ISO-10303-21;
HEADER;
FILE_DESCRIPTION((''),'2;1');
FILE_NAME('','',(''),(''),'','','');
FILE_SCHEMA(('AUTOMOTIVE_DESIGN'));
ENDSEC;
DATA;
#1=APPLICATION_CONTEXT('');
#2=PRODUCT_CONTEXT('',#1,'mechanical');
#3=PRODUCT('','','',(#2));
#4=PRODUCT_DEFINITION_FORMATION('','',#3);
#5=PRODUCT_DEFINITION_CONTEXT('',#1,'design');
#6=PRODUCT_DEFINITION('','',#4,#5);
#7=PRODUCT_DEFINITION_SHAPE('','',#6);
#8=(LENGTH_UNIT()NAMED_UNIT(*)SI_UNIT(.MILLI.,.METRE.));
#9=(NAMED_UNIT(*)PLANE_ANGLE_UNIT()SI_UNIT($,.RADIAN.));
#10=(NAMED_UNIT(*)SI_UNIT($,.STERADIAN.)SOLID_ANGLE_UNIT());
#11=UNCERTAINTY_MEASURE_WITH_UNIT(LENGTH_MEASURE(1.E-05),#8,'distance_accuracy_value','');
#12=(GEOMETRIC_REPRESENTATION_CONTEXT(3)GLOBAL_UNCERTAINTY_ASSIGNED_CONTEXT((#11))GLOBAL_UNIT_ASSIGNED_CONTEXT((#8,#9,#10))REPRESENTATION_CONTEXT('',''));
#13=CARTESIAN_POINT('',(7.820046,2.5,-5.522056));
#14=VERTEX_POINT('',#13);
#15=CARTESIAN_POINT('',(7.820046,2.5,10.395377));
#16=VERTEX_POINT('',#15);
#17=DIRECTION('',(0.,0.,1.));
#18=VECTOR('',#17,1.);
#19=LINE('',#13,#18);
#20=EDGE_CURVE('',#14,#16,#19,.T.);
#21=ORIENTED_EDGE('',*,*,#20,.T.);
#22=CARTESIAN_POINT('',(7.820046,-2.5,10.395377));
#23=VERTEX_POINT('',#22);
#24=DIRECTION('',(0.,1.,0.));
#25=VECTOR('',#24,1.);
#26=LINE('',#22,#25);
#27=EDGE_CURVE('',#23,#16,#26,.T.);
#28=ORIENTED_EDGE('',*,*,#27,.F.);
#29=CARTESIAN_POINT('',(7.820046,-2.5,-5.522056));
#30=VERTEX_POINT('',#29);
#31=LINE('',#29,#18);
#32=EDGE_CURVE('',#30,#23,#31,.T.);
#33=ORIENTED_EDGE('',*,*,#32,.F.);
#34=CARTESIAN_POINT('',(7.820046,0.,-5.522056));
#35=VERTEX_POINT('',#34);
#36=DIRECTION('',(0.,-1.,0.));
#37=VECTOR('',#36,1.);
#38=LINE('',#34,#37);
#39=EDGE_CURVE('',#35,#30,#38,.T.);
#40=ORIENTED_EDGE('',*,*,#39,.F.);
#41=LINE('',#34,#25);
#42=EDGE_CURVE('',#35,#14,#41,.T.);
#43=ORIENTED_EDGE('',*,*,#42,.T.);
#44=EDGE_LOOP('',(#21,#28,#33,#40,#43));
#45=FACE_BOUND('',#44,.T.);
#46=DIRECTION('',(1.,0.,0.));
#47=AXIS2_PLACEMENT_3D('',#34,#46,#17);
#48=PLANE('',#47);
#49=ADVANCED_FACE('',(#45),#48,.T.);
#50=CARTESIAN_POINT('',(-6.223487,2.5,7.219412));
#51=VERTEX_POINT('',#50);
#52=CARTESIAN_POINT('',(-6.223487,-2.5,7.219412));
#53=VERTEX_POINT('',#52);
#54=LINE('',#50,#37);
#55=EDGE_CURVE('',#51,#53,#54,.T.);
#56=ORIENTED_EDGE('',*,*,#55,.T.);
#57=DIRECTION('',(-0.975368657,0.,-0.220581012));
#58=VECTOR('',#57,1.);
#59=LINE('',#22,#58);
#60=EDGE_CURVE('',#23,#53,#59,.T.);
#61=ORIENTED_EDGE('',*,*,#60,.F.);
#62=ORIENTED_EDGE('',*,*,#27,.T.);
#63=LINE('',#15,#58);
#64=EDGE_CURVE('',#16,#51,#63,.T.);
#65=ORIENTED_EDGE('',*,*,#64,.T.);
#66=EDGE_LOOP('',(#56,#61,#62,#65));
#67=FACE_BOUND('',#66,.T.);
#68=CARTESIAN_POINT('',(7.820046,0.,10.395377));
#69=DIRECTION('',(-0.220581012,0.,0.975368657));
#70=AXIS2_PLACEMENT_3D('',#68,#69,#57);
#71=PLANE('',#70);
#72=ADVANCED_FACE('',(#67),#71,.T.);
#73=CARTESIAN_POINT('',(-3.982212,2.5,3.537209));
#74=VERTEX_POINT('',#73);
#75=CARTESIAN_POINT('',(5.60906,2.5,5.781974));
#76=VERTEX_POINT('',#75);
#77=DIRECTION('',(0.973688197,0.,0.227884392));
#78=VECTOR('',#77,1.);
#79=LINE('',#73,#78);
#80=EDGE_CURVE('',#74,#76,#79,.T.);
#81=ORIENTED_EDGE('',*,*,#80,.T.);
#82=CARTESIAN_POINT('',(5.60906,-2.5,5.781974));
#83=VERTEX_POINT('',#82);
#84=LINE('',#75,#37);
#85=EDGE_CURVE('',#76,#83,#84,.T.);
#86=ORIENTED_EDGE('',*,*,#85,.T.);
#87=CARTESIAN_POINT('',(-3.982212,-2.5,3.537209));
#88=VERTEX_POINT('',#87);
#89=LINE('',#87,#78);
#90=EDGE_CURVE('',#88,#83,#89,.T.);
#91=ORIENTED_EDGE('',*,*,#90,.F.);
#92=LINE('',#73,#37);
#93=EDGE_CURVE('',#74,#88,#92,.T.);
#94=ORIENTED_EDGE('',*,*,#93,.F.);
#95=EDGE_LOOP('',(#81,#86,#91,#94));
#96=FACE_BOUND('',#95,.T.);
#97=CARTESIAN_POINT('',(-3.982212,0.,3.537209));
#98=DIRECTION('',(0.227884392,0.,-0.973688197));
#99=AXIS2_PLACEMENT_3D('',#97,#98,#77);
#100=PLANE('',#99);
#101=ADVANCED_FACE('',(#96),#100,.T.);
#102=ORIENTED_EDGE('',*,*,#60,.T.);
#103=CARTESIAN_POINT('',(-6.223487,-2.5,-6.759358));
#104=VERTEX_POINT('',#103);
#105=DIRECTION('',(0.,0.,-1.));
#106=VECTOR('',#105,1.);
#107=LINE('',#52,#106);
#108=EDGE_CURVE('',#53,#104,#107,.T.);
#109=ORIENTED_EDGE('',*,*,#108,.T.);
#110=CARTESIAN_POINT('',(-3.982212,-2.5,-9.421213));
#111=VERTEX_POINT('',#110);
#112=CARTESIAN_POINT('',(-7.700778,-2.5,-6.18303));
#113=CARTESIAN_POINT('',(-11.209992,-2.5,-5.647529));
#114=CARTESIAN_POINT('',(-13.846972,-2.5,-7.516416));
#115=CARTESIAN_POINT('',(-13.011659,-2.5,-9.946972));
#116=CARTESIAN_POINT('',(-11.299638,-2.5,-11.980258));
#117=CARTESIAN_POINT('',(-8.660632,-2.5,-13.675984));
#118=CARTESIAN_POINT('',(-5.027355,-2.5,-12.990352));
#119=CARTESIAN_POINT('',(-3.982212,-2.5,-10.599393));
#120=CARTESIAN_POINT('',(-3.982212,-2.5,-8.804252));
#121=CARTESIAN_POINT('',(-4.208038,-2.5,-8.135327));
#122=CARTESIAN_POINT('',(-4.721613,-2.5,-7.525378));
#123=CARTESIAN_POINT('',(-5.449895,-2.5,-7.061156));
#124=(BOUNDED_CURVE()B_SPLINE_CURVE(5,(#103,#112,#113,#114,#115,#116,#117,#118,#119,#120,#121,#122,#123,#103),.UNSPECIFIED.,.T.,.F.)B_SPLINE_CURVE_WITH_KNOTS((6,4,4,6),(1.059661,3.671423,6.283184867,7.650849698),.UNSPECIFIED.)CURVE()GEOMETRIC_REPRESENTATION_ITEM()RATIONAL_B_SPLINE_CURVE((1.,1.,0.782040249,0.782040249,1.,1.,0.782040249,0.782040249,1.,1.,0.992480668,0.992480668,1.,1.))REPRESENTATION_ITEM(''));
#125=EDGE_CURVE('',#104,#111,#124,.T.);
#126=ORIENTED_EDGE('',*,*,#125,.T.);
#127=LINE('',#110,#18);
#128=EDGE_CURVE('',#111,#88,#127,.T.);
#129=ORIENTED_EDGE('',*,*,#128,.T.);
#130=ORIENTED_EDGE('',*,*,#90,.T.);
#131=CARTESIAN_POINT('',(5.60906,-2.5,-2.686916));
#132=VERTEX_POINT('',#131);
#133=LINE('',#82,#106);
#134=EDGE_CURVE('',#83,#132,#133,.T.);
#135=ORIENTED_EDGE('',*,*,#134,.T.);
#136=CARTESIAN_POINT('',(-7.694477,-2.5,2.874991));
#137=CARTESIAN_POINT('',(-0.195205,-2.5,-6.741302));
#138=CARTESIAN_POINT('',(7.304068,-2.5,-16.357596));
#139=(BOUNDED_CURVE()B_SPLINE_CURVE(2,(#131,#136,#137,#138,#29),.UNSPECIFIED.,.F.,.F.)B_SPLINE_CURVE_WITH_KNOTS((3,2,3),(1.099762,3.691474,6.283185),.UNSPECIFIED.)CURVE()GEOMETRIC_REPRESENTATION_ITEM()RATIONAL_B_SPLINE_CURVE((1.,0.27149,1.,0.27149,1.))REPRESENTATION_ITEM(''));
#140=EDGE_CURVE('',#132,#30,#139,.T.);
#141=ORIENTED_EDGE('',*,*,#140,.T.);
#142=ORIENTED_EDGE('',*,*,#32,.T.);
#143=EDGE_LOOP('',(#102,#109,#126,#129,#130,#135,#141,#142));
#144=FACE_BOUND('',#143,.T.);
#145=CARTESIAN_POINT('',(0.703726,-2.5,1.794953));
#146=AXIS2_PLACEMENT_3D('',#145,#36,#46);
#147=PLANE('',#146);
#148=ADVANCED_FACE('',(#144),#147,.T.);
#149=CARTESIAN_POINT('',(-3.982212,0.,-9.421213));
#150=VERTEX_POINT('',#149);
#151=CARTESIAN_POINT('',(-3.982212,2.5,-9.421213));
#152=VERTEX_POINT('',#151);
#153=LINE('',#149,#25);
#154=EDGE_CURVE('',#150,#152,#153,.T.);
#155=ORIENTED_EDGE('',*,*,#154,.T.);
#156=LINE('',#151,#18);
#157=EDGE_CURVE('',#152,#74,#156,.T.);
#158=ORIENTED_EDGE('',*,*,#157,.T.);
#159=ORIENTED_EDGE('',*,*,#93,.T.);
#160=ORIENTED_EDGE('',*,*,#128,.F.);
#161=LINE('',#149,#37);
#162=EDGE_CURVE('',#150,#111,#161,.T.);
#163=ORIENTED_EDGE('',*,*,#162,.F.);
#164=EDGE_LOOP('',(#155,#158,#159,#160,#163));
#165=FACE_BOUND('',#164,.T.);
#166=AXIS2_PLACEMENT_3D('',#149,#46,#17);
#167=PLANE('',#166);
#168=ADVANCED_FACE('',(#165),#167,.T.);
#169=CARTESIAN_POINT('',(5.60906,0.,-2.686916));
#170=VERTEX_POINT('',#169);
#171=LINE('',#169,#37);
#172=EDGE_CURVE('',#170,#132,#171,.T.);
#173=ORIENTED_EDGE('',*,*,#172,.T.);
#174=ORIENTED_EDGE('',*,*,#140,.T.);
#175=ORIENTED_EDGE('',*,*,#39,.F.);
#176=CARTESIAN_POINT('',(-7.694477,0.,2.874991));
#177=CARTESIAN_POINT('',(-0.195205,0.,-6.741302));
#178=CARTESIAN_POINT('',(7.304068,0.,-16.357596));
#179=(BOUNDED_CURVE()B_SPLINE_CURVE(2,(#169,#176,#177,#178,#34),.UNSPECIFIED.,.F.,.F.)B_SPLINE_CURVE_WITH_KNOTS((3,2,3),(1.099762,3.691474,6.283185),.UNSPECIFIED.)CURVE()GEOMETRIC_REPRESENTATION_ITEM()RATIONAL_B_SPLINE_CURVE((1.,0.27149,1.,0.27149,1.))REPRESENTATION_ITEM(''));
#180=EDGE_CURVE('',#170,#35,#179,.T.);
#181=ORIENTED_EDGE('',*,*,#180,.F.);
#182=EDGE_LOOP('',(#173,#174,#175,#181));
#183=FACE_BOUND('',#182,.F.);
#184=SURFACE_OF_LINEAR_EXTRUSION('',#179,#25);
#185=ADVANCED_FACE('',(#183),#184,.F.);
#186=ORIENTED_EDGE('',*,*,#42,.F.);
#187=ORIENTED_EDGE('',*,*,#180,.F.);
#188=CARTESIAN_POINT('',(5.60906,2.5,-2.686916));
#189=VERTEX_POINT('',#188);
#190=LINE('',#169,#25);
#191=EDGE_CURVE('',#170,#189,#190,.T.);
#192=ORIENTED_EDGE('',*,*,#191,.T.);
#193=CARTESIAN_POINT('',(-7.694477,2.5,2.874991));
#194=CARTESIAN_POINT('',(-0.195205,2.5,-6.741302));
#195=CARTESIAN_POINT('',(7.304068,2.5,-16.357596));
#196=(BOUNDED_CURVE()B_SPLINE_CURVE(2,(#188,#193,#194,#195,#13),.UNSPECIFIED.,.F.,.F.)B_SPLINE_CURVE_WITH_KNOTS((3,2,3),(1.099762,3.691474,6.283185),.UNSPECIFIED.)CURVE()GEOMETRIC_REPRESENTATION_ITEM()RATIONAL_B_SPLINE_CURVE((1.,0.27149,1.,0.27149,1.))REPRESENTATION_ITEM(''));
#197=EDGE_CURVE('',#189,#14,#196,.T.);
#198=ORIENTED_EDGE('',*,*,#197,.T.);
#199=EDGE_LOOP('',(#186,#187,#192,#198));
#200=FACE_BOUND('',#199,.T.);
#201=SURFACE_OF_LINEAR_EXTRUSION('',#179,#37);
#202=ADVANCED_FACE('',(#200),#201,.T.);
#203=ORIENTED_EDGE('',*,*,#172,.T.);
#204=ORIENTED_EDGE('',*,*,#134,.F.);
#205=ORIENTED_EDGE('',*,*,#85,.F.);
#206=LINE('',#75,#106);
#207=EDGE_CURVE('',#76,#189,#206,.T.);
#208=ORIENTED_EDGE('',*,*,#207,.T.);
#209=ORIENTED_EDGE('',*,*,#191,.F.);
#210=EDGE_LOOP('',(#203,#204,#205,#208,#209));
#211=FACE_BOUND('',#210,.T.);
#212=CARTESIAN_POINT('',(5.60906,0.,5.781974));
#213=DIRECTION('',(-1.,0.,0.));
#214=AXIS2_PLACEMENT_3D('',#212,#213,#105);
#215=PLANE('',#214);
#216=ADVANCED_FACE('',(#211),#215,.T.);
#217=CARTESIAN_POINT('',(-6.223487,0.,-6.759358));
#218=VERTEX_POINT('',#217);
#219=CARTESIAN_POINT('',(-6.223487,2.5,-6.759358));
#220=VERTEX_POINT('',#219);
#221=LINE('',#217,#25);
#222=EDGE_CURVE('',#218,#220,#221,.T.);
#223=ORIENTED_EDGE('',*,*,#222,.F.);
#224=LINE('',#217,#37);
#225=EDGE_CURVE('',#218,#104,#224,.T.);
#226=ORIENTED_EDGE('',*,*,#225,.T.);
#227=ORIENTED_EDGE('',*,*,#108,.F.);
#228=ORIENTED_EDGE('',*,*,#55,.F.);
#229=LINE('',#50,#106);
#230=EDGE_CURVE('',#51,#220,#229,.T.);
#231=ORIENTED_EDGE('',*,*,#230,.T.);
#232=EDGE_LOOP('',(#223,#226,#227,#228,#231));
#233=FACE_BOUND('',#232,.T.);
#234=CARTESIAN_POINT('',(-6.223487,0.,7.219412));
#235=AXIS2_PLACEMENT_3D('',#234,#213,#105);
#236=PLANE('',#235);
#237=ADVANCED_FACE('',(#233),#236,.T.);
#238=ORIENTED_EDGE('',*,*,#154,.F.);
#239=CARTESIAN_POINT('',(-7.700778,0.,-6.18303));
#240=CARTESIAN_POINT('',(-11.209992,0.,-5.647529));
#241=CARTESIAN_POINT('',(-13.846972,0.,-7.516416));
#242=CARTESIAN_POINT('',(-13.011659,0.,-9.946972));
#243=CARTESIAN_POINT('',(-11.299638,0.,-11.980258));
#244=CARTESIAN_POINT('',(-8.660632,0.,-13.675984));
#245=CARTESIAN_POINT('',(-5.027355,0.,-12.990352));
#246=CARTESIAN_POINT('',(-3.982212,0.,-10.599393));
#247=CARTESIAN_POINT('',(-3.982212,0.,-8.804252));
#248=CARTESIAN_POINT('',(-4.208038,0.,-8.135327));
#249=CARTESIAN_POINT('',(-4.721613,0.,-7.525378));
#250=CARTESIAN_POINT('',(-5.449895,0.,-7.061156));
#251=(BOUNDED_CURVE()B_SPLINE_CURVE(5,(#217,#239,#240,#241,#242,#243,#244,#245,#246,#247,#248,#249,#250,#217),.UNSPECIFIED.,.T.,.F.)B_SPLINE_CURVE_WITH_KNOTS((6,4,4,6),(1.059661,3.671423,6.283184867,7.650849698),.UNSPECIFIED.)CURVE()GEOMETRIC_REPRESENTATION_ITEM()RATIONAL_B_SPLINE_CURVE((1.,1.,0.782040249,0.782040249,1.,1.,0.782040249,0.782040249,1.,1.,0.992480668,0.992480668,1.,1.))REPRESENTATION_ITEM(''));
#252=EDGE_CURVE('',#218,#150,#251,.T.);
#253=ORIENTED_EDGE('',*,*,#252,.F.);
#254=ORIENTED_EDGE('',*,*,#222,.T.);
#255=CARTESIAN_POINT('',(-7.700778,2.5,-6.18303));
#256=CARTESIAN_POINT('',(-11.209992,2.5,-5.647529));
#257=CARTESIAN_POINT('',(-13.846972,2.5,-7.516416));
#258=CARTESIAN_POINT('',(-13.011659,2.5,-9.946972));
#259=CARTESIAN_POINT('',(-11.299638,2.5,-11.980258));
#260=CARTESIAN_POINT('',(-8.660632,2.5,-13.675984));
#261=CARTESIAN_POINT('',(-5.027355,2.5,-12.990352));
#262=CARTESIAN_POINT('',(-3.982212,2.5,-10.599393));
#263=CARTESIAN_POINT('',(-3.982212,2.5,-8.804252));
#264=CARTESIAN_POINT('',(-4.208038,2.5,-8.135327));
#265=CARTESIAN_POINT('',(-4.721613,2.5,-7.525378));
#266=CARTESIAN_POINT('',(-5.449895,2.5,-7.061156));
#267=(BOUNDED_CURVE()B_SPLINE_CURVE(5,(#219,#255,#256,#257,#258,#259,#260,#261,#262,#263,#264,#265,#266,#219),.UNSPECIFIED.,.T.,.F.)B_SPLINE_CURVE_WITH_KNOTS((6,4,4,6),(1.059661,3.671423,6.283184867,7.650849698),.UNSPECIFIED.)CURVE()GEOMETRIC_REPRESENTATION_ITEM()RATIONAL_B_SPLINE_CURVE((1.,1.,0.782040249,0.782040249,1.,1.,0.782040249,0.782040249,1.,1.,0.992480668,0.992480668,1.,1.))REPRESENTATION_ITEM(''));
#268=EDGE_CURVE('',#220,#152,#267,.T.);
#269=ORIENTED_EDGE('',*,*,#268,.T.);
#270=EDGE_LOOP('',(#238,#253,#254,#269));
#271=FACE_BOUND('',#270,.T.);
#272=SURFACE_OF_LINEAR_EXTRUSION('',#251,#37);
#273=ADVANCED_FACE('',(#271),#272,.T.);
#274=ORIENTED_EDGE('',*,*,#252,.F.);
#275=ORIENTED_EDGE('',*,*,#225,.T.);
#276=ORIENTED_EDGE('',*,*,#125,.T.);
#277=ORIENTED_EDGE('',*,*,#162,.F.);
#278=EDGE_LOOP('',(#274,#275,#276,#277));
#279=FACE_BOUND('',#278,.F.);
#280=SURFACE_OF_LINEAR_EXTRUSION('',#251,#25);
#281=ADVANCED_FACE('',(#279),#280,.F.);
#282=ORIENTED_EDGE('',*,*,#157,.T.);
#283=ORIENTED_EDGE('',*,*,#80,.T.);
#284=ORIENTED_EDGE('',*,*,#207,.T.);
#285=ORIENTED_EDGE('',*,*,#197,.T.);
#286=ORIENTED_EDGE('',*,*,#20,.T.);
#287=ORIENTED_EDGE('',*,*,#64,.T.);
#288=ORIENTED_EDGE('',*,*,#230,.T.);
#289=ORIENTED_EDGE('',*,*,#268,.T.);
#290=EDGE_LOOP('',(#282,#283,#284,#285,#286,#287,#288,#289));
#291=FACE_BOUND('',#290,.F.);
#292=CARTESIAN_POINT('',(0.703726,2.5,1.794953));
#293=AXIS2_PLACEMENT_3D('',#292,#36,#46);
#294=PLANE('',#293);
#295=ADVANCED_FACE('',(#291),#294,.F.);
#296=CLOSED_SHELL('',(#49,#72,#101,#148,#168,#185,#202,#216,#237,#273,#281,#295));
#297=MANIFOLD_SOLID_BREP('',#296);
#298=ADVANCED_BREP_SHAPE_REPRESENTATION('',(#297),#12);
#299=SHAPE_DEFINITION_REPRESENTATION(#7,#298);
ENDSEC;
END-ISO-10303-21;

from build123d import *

# Parameters (mm, degrees)
F1_DEPTH = 2.5


with BuildPart() as f1:
    # F0 (on Front) → F1 (new body, symmetric)
    with BuildSketch(Plane.XZ):
        with BuildLine():
            Line((7.820046, 10.395377), (-6.223487, 7.219412))
            Line((-6.223487, 7.219412), (-6.223487, -6.759358))
            add(Edge.make_bspline(
                [(-3.982212, -9.421213), (-3.982212, -7.633735), (-6.223487, -6.759358)],
                knots=[0, 0, 0, 1.059661, 1.059661, 1.059661], degree=2, weights=[1, 0.862893, 1]))
            Line((-3.982212, -9.421213), (-3.982212, 3.537209))
            Line((-3.982212, 3.537209), (5.60906, 5.781974))
            Line((5.60906, 5.781974), (5.60906, -2.686916))
            add(Edge.make_bspline(
                [(7.820046, -5.314203), (7.737494, -3.576766), (5.60906, -2.686916)],
                knots=[0.067901, 0.067901, 0.067901, 1.099762, 1.099762, 1.099762], degree=2, weights=[1, 0.869834, 1]))
            Line((7.820046, -5.314203), (7.820046, 10.395377))
        make_face()
        with BuildLine():
            add(Edge.make_bspline(
                [(-3.982212, -9.421213), (-3.982212, -7.633735), (-6.223487, -6.759358)],
                knots=[0, 0, 0, 1.059661, 1.059661, 1.059661], degree=2, weights=[1, 0.862893, 1]))
            add(Edge.make_bspline(
                [(-6.223487, -6.759358), (-20.329085, -1.256416), (-12.155648, -10.963615), (-3.982212, -20.670814), (-3.982212, -9.421213)],
                knots=[1.059661, 1.059661, 1.059661, 3.671423, 3.671423, 6.283185, 6.283185, 6.283185], degree=2, weights=[1, 0.261827, 1, 0.261827, 1]))
        make_face()
        with BuildLine():
            Line((7.820046, -5.522056), (7.820046, -5.314203))
            add(Edge.make_bspline(
                [(7.820046, -5.314203), (7.737494, -3.576766), (5.60906, -2.686916)],
                knots=[0.067901, 0.067901, 0.067901, 1.099762, 1.099762, 1.099762], degree=2, weights=[1, 0.869834, 1]))
            add(Edge.make_bspline(
                [(5.60906, -2.686916), (-7.694477, 2.874991), (-0.195205, -6.741302), (7.304068, -16.357596), (7.820046, -5.522056)],
                knots=[1.099762, 1.099762, 1.099762, 3.691474, 3.691474, 6.283185, 6.283185, 6.283185], degree=2, weights=[1, 0.27149, 1, 0.27149, 1]))
        make_face()
    extrude(amount=F1_DEPTH, both=True)


solid = f1.part
